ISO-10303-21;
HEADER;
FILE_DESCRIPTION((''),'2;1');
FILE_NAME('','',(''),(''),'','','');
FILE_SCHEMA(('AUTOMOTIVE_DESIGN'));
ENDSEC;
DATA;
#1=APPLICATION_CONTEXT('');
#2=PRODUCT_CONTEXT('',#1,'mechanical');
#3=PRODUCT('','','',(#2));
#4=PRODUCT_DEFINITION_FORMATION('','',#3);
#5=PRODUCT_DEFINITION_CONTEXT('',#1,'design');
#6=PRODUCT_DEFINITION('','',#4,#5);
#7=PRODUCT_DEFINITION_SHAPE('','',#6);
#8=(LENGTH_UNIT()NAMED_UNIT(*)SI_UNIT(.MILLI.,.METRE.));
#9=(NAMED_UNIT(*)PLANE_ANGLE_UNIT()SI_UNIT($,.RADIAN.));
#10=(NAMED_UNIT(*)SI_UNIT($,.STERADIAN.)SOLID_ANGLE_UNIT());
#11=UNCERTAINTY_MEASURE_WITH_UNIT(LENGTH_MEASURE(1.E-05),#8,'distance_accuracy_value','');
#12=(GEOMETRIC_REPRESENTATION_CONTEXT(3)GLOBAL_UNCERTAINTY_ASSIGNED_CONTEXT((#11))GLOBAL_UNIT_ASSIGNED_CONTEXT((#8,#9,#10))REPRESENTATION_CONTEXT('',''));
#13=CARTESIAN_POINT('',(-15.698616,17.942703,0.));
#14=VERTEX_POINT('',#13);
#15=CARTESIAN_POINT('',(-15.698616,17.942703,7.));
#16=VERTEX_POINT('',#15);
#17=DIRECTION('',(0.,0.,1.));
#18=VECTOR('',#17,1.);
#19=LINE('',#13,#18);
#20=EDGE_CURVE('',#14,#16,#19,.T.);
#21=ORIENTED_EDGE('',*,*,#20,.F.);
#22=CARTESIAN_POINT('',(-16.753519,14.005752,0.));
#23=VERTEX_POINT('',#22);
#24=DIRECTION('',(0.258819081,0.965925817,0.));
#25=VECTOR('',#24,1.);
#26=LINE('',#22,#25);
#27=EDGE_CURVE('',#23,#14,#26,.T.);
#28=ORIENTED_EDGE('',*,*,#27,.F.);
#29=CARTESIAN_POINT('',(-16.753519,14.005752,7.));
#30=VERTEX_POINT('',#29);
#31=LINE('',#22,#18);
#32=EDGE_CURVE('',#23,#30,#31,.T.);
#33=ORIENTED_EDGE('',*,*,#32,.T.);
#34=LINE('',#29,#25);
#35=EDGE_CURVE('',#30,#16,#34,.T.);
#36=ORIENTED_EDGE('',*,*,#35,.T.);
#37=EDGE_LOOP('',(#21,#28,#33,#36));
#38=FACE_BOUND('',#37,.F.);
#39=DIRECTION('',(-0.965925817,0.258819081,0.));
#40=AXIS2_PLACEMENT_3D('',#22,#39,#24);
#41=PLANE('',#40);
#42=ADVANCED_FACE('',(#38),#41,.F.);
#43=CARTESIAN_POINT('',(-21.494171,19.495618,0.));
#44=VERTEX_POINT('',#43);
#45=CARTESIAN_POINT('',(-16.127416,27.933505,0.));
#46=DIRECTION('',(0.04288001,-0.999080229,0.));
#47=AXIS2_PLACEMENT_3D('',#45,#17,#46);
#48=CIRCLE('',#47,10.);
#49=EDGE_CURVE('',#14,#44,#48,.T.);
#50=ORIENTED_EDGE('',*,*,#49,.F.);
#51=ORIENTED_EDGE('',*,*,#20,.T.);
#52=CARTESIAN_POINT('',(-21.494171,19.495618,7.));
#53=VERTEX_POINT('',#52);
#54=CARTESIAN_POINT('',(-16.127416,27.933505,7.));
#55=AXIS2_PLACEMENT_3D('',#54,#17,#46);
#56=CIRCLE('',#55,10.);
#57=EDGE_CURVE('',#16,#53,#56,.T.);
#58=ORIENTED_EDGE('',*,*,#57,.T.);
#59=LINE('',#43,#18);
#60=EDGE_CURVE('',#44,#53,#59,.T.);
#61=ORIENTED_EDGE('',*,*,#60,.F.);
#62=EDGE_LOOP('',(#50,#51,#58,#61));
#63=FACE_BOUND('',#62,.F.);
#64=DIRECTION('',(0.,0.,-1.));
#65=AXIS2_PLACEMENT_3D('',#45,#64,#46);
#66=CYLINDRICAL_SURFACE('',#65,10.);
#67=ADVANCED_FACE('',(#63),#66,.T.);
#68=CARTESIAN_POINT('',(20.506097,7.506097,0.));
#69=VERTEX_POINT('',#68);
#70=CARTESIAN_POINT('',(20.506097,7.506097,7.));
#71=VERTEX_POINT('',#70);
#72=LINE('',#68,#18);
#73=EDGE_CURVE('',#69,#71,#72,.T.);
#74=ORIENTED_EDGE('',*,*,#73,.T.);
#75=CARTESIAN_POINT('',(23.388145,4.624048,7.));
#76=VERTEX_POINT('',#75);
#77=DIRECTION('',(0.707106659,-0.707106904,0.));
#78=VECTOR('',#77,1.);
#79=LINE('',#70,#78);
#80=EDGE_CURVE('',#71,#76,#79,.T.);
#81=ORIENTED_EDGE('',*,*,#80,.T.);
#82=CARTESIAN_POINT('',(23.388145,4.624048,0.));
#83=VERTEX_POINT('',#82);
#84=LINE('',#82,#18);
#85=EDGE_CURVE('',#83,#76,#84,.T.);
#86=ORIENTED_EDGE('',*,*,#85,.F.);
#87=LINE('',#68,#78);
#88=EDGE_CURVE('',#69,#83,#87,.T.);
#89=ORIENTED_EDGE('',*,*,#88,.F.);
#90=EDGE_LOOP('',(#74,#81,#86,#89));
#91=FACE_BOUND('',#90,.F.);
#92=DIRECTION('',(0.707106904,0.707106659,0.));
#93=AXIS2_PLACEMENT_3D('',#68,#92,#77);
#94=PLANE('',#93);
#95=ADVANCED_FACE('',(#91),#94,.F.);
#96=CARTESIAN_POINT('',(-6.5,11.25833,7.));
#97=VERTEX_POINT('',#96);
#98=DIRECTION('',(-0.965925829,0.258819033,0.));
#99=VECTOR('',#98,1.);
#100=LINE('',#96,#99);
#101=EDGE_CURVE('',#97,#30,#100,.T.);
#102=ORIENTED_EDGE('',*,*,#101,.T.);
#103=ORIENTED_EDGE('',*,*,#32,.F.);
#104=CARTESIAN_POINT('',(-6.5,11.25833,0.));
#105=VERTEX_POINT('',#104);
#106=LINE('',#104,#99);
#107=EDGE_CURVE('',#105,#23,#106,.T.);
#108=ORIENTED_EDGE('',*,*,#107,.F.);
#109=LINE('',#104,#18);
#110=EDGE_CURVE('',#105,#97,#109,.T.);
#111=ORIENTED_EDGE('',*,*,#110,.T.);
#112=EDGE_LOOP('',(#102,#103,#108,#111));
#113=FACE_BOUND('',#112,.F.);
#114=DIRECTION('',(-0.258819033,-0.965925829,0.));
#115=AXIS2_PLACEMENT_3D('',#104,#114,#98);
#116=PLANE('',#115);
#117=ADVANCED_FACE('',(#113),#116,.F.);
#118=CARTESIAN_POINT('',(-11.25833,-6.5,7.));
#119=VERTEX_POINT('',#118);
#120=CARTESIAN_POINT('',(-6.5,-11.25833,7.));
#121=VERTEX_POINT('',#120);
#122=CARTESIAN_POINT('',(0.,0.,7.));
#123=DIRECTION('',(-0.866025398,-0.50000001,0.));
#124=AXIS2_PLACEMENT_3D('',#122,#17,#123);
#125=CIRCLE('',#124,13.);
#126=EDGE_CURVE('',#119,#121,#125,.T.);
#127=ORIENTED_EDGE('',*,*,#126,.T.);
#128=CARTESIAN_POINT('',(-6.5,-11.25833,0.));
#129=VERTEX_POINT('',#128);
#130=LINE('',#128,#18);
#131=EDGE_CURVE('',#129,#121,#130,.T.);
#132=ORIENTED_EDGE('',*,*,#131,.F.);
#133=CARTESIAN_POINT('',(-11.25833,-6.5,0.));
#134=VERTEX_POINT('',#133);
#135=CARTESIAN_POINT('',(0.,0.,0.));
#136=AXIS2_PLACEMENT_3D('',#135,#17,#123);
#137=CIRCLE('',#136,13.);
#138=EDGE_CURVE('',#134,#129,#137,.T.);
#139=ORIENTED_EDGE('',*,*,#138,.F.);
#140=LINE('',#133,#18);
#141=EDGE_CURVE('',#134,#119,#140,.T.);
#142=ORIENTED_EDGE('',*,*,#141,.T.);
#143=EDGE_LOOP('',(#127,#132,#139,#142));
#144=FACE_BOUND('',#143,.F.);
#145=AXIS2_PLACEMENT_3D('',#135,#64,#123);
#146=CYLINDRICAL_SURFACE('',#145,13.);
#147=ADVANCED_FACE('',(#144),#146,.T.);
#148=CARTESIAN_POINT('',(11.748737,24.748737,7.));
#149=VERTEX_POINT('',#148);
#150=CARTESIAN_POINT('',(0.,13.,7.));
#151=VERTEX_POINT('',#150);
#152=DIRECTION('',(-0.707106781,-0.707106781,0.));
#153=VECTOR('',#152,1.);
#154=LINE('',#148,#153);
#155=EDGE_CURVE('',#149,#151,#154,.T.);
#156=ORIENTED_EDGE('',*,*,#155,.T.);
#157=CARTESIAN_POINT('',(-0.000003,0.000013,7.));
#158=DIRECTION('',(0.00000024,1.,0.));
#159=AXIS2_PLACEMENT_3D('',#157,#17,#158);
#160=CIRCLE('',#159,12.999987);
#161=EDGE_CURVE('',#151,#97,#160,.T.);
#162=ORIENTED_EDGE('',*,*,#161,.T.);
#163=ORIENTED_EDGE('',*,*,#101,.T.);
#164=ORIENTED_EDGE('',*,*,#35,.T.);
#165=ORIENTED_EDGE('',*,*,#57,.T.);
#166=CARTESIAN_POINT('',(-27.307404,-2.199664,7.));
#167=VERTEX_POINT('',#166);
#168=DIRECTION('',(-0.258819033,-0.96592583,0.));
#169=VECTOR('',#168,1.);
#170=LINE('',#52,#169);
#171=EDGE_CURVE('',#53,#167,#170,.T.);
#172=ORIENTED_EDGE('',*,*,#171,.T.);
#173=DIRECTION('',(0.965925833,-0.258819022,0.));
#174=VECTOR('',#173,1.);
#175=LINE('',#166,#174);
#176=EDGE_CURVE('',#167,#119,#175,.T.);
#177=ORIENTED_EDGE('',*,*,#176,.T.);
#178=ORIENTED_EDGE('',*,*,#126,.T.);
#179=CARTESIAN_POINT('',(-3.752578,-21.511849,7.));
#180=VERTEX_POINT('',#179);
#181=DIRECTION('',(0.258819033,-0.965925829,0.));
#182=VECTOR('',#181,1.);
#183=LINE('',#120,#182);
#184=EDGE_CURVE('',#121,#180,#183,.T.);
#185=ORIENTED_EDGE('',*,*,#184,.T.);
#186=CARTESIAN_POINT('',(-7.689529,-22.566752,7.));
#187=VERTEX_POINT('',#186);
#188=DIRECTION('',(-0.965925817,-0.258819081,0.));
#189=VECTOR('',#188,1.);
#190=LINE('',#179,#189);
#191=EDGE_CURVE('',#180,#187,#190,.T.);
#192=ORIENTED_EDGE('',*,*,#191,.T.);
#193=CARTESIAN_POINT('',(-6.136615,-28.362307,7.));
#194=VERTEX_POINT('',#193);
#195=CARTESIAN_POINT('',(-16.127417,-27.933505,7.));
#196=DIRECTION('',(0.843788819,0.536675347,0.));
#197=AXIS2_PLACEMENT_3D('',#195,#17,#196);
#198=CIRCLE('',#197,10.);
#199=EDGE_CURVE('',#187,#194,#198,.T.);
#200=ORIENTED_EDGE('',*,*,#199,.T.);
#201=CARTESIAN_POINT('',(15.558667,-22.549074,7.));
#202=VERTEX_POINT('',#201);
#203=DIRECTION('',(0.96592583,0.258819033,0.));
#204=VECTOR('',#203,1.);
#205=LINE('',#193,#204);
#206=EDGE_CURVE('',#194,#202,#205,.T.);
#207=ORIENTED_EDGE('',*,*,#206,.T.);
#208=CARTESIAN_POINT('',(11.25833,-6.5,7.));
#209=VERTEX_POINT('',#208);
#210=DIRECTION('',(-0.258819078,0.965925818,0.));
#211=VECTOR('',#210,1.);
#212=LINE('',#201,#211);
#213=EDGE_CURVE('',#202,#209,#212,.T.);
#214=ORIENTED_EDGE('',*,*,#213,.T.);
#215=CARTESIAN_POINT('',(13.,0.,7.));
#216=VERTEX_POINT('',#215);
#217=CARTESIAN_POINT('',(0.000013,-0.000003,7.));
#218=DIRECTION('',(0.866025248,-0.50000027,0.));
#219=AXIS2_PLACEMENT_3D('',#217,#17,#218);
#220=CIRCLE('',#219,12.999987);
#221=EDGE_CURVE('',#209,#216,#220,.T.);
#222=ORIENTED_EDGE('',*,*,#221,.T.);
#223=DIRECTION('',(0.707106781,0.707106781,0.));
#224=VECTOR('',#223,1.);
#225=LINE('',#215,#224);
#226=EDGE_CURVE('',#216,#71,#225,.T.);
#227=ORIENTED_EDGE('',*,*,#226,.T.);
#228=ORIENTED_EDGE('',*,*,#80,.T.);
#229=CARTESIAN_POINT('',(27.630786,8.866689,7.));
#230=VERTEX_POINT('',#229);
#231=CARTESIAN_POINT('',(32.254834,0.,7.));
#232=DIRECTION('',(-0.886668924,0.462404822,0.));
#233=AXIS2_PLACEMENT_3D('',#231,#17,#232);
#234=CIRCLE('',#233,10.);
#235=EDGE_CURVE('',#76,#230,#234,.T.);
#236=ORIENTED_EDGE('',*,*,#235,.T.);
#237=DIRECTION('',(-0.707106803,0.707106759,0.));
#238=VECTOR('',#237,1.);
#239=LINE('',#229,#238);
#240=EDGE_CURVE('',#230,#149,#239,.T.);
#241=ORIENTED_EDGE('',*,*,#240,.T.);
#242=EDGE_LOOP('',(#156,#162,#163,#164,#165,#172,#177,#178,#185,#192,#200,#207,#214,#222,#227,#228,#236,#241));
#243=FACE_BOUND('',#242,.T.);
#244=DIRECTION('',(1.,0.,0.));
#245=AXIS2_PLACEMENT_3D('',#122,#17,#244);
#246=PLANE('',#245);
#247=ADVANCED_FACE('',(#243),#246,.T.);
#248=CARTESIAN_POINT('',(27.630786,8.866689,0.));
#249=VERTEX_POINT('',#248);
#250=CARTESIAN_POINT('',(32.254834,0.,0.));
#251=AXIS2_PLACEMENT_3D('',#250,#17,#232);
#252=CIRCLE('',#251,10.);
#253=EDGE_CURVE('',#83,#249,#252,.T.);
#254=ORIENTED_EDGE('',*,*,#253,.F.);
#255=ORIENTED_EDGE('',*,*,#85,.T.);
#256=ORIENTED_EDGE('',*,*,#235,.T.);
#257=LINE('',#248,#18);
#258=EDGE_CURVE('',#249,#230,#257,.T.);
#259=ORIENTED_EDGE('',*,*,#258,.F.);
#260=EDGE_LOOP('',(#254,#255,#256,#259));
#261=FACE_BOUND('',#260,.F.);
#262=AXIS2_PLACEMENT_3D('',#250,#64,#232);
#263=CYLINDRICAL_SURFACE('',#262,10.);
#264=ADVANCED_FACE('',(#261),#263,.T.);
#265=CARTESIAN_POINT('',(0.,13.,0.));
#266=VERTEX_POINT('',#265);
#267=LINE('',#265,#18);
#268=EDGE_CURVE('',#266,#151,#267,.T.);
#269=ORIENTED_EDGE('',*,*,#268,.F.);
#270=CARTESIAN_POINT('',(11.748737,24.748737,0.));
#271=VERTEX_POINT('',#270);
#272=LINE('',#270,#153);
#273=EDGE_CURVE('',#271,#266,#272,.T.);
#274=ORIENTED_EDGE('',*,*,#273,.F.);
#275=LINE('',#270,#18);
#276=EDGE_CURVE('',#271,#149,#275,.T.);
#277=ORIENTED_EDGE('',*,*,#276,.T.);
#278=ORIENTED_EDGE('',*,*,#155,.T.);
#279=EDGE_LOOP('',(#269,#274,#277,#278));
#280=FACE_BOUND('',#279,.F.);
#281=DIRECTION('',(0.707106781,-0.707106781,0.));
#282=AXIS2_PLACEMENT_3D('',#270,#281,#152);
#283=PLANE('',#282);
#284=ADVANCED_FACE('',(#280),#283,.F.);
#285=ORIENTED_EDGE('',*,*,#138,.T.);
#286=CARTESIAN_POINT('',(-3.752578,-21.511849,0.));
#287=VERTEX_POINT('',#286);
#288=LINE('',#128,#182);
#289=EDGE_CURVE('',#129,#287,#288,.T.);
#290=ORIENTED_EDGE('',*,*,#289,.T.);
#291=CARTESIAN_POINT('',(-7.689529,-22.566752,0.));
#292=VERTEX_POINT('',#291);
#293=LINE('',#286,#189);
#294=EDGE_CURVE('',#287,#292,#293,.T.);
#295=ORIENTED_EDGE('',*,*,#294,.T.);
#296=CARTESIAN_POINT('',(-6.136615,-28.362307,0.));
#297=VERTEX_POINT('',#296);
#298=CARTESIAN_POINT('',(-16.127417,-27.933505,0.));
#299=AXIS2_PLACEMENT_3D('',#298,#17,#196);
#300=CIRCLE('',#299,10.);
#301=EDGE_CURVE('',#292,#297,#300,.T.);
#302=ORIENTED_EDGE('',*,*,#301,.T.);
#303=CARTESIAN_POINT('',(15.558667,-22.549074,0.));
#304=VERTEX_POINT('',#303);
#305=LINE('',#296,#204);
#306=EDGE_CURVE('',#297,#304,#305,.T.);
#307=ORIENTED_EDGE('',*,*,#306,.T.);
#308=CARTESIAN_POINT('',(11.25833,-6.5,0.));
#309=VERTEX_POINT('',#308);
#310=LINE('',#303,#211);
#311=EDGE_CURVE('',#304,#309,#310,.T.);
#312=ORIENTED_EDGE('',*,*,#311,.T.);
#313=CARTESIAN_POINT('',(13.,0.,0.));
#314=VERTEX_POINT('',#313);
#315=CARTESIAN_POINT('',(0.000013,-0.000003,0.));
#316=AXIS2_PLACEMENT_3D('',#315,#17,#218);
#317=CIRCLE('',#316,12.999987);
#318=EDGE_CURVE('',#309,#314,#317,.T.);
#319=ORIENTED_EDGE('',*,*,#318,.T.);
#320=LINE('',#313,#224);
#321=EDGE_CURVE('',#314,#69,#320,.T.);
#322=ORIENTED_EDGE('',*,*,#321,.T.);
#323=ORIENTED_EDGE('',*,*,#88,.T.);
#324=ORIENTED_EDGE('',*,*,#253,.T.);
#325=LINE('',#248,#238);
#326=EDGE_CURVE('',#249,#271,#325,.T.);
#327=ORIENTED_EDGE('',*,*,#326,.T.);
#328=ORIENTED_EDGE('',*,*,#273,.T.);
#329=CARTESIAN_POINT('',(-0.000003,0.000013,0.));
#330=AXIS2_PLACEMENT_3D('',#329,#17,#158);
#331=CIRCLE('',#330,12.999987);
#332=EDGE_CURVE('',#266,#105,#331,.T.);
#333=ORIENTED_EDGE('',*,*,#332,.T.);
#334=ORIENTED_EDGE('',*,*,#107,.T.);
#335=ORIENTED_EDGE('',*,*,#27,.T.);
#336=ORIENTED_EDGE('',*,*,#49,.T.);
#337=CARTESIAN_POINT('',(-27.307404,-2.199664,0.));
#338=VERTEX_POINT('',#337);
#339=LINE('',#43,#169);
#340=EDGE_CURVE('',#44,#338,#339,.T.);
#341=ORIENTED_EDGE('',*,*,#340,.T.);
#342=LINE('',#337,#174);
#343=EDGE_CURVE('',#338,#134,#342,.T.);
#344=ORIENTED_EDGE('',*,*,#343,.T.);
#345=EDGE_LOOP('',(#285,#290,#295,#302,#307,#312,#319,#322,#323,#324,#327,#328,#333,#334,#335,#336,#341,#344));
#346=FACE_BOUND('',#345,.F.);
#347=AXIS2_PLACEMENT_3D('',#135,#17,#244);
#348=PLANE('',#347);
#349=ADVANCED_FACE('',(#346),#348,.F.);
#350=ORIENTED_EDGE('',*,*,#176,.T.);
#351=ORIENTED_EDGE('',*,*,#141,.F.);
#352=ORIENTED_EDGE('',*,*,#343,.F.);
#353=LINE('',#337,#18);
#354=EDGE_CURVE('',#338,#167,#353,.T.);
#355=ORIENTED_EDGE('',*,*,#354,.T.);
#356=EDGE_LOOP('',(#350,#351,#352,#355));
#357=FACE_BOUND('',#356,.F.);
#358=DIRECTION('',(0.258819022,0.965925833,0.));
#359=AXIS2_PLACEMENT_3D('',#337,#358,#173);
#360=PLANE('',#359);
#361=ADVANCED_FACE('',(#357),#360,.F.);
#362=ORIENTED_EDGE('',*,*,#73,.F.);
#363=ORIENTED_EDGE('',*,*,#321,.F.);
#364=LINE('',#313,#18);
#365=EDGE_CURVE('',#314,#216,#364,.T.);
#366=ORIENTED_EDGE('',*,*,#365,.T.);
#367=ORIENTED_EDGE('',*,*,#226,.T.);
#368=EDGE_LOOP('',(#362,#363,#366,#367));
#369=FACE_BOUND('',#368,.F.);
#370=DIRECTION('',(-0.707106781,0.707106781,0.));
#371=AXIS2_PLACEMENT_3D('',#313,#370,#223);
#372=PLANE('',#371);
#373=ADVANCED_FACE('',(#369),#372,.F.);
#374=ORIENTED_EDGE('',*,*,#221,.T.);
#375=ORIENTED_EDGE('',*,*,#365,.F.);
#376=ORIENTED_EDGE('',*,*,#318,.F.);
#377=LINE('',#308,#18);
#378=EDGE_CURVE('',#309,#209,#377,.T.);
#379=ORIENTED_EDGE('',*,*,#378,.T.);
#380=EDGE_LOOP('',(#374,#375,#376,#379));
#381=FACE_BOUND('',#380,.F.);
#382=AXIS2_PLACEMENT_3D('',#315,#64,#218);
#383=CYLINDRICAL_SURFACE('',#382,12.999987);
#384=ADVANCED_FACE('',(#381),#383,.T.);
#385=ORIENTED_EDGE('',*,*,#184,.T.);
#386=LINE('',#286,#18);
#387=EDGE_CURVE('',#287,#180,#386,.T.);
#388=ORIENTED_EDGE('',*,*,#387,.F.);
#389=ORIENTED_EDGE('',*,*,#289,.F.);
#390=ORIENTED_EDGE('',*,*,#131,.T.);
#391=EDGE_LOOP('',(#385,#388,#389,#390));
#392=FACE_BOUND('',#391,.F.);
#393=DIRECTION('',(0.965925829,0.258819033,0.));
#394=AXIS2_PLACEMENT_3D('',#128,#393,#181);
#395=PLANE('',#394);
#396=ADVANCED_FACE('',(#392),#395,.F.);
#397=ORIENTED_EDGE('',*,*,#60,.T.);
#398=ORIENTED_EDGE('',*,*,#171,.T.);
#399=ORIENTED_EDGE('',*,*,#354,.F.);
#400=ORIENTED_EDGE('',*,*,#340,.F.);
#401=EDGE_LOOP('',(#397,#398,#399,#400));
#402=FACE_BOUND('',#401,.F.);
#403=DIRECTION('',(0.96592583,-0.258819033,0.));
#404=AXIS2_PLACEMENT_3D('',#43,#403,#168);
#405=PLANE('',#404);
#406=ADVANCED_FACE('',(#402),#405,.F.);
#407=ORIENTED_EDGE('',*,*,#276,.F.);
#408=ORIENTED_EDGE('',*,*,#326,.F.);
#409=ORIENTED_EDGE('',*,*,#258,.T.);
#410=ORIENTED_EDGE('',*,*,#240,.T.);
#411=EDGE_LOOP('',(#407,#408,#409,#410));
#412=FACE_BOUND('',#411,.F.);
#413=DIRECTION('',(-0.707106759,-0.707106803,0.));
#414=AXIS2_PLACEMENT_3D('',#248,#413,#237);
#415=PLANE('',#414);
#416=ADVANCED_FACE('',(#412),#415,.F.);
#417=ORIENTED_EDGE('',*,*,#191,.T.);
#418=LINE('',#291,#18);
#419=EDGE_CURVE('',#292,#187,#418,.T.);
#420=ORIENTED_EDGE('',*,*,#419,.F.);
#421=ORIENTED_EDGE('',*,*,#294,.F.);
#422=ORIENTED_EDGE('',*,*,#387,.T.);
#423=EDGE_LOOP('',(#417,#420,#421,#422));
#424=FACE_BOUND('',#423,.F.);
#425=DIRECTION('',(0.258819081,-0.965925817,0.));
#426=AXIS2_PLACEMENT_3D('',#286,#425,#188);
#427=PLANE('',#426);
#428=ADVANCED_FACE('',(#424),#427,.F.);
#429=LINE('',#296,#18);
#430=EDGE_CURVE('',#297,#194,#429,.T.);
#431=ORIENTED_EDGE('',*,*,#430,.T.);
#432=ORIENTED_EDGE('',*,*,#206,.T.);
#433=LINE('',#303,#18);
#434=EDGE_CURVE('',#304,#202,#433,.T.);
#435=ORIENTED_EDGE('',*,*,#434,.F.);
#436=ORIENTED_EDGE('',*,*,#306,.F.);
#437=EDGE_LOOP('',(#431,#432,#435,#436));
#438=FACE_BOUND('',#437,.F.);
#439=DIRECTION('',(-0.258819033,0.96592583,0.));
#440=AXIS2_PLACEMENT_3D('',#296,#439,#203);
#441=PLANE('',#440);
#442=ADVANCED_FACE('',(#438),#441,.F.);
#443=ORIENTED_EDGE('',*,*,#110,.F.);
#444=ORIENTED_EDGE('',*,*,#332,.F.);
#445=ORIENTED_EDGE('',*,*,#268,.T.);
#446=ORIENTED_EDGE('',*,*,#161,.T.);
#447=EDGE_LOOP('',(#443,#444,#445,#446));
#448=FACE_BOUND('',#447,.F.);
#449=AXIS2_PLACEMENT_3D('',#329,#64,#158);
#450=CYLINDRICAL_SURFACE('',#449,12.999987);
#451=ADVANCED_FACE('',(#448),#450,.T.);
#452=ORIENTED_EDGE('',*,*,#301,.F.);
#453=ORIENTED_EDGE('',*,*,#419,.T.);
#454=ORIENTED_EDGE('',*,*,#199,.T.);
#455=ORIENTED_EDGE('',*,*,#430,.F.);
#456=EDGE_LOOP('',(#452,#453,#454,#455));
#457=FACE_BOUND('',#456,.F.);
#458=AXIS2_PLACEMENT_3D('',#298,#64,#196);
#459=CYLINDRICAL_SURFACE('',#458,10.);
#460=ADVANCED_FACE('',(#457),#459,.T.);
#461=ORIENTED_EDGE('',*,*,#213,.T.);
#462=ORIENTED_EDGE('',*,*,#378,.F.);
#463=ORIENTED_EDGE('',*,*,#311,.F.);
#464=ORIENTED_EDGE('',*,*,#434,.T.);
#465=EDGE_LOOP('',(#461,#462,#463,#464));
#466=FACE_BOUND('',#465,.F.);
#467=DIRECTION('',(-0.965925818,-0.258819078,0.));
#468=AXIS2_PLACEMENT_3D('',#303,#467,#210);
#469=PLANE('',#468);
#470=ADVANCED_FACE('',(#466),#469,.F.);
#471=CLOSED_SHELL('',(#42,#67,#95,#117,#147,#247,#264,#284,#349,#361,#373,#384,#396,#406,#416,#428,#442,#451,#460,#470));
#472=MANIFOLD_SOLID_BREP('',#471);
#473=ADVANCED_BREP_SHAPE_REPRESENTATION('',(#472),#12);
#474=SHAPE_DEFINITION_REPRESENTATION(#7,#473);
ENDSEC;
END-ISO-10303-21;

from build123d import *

# Parameters (mm, degrees)
F1_DEPTH = 7


with BuildPart() as f1:
    # F0 (on Top) → F1 (new body)
    with BuildSketch(Plane.XY):
        with BuildLine():
            Line((11.748737, 24.748737), (0, 13))
            ThreePointArc((0, 13), (-3.364648, 12.557036), (-6.5, 11.25833))
            Line((-6.5, 11.25833), (-16.753519, 14.005752))
            Line((-16.753519, 14.005752), (-15.698616, 17.942703))
            ThreePointArc((-15.698616, 17.942703), (-13.539227, 37.592764), (-21.494171, 19.495618))
            Line((-21.494171, 19.495618), (-27.307404, -2.199664))
            Line((-27.307404, -2.199664), (-11.25833, -6.5))
            ThreePointArc((-11.25833, -6.5), (-9.192388, -9.192388), (-6.5, -11.25833))
            Line((-6.5, -11.25833), (-3.752578, -21.511849))
            Line((-3.752578, -21.511849), (-7.689529, -22.566752))
            ThreePointArc((-7.689529, -22.566752), (-25.786675, -30.521696), (-6.136615, -28.362307))
            Line((-6.136615, -28.362307), (15.558667, -22.549074))
            Line((15.558667, -22.549074), (11.25833, -6.5))
            ThreePointArc((11.25833, -6.5), (12.557036, -3.364648), (13, 0))
            Line((13, 0), (20.506097, 7.506097))
            Line((20.506097, 7.506097), (23.388145, 4.624048))
            ThreePointArc((23.388145, 4.624048), (39.325902, -7.071068), (27.630786, 8.866689))
            Line((27.630786, 8.866689), (11.748737, 24.748737))
        make_face()
    extrude(amount=F1_DEPTH)


solid = f1.part
